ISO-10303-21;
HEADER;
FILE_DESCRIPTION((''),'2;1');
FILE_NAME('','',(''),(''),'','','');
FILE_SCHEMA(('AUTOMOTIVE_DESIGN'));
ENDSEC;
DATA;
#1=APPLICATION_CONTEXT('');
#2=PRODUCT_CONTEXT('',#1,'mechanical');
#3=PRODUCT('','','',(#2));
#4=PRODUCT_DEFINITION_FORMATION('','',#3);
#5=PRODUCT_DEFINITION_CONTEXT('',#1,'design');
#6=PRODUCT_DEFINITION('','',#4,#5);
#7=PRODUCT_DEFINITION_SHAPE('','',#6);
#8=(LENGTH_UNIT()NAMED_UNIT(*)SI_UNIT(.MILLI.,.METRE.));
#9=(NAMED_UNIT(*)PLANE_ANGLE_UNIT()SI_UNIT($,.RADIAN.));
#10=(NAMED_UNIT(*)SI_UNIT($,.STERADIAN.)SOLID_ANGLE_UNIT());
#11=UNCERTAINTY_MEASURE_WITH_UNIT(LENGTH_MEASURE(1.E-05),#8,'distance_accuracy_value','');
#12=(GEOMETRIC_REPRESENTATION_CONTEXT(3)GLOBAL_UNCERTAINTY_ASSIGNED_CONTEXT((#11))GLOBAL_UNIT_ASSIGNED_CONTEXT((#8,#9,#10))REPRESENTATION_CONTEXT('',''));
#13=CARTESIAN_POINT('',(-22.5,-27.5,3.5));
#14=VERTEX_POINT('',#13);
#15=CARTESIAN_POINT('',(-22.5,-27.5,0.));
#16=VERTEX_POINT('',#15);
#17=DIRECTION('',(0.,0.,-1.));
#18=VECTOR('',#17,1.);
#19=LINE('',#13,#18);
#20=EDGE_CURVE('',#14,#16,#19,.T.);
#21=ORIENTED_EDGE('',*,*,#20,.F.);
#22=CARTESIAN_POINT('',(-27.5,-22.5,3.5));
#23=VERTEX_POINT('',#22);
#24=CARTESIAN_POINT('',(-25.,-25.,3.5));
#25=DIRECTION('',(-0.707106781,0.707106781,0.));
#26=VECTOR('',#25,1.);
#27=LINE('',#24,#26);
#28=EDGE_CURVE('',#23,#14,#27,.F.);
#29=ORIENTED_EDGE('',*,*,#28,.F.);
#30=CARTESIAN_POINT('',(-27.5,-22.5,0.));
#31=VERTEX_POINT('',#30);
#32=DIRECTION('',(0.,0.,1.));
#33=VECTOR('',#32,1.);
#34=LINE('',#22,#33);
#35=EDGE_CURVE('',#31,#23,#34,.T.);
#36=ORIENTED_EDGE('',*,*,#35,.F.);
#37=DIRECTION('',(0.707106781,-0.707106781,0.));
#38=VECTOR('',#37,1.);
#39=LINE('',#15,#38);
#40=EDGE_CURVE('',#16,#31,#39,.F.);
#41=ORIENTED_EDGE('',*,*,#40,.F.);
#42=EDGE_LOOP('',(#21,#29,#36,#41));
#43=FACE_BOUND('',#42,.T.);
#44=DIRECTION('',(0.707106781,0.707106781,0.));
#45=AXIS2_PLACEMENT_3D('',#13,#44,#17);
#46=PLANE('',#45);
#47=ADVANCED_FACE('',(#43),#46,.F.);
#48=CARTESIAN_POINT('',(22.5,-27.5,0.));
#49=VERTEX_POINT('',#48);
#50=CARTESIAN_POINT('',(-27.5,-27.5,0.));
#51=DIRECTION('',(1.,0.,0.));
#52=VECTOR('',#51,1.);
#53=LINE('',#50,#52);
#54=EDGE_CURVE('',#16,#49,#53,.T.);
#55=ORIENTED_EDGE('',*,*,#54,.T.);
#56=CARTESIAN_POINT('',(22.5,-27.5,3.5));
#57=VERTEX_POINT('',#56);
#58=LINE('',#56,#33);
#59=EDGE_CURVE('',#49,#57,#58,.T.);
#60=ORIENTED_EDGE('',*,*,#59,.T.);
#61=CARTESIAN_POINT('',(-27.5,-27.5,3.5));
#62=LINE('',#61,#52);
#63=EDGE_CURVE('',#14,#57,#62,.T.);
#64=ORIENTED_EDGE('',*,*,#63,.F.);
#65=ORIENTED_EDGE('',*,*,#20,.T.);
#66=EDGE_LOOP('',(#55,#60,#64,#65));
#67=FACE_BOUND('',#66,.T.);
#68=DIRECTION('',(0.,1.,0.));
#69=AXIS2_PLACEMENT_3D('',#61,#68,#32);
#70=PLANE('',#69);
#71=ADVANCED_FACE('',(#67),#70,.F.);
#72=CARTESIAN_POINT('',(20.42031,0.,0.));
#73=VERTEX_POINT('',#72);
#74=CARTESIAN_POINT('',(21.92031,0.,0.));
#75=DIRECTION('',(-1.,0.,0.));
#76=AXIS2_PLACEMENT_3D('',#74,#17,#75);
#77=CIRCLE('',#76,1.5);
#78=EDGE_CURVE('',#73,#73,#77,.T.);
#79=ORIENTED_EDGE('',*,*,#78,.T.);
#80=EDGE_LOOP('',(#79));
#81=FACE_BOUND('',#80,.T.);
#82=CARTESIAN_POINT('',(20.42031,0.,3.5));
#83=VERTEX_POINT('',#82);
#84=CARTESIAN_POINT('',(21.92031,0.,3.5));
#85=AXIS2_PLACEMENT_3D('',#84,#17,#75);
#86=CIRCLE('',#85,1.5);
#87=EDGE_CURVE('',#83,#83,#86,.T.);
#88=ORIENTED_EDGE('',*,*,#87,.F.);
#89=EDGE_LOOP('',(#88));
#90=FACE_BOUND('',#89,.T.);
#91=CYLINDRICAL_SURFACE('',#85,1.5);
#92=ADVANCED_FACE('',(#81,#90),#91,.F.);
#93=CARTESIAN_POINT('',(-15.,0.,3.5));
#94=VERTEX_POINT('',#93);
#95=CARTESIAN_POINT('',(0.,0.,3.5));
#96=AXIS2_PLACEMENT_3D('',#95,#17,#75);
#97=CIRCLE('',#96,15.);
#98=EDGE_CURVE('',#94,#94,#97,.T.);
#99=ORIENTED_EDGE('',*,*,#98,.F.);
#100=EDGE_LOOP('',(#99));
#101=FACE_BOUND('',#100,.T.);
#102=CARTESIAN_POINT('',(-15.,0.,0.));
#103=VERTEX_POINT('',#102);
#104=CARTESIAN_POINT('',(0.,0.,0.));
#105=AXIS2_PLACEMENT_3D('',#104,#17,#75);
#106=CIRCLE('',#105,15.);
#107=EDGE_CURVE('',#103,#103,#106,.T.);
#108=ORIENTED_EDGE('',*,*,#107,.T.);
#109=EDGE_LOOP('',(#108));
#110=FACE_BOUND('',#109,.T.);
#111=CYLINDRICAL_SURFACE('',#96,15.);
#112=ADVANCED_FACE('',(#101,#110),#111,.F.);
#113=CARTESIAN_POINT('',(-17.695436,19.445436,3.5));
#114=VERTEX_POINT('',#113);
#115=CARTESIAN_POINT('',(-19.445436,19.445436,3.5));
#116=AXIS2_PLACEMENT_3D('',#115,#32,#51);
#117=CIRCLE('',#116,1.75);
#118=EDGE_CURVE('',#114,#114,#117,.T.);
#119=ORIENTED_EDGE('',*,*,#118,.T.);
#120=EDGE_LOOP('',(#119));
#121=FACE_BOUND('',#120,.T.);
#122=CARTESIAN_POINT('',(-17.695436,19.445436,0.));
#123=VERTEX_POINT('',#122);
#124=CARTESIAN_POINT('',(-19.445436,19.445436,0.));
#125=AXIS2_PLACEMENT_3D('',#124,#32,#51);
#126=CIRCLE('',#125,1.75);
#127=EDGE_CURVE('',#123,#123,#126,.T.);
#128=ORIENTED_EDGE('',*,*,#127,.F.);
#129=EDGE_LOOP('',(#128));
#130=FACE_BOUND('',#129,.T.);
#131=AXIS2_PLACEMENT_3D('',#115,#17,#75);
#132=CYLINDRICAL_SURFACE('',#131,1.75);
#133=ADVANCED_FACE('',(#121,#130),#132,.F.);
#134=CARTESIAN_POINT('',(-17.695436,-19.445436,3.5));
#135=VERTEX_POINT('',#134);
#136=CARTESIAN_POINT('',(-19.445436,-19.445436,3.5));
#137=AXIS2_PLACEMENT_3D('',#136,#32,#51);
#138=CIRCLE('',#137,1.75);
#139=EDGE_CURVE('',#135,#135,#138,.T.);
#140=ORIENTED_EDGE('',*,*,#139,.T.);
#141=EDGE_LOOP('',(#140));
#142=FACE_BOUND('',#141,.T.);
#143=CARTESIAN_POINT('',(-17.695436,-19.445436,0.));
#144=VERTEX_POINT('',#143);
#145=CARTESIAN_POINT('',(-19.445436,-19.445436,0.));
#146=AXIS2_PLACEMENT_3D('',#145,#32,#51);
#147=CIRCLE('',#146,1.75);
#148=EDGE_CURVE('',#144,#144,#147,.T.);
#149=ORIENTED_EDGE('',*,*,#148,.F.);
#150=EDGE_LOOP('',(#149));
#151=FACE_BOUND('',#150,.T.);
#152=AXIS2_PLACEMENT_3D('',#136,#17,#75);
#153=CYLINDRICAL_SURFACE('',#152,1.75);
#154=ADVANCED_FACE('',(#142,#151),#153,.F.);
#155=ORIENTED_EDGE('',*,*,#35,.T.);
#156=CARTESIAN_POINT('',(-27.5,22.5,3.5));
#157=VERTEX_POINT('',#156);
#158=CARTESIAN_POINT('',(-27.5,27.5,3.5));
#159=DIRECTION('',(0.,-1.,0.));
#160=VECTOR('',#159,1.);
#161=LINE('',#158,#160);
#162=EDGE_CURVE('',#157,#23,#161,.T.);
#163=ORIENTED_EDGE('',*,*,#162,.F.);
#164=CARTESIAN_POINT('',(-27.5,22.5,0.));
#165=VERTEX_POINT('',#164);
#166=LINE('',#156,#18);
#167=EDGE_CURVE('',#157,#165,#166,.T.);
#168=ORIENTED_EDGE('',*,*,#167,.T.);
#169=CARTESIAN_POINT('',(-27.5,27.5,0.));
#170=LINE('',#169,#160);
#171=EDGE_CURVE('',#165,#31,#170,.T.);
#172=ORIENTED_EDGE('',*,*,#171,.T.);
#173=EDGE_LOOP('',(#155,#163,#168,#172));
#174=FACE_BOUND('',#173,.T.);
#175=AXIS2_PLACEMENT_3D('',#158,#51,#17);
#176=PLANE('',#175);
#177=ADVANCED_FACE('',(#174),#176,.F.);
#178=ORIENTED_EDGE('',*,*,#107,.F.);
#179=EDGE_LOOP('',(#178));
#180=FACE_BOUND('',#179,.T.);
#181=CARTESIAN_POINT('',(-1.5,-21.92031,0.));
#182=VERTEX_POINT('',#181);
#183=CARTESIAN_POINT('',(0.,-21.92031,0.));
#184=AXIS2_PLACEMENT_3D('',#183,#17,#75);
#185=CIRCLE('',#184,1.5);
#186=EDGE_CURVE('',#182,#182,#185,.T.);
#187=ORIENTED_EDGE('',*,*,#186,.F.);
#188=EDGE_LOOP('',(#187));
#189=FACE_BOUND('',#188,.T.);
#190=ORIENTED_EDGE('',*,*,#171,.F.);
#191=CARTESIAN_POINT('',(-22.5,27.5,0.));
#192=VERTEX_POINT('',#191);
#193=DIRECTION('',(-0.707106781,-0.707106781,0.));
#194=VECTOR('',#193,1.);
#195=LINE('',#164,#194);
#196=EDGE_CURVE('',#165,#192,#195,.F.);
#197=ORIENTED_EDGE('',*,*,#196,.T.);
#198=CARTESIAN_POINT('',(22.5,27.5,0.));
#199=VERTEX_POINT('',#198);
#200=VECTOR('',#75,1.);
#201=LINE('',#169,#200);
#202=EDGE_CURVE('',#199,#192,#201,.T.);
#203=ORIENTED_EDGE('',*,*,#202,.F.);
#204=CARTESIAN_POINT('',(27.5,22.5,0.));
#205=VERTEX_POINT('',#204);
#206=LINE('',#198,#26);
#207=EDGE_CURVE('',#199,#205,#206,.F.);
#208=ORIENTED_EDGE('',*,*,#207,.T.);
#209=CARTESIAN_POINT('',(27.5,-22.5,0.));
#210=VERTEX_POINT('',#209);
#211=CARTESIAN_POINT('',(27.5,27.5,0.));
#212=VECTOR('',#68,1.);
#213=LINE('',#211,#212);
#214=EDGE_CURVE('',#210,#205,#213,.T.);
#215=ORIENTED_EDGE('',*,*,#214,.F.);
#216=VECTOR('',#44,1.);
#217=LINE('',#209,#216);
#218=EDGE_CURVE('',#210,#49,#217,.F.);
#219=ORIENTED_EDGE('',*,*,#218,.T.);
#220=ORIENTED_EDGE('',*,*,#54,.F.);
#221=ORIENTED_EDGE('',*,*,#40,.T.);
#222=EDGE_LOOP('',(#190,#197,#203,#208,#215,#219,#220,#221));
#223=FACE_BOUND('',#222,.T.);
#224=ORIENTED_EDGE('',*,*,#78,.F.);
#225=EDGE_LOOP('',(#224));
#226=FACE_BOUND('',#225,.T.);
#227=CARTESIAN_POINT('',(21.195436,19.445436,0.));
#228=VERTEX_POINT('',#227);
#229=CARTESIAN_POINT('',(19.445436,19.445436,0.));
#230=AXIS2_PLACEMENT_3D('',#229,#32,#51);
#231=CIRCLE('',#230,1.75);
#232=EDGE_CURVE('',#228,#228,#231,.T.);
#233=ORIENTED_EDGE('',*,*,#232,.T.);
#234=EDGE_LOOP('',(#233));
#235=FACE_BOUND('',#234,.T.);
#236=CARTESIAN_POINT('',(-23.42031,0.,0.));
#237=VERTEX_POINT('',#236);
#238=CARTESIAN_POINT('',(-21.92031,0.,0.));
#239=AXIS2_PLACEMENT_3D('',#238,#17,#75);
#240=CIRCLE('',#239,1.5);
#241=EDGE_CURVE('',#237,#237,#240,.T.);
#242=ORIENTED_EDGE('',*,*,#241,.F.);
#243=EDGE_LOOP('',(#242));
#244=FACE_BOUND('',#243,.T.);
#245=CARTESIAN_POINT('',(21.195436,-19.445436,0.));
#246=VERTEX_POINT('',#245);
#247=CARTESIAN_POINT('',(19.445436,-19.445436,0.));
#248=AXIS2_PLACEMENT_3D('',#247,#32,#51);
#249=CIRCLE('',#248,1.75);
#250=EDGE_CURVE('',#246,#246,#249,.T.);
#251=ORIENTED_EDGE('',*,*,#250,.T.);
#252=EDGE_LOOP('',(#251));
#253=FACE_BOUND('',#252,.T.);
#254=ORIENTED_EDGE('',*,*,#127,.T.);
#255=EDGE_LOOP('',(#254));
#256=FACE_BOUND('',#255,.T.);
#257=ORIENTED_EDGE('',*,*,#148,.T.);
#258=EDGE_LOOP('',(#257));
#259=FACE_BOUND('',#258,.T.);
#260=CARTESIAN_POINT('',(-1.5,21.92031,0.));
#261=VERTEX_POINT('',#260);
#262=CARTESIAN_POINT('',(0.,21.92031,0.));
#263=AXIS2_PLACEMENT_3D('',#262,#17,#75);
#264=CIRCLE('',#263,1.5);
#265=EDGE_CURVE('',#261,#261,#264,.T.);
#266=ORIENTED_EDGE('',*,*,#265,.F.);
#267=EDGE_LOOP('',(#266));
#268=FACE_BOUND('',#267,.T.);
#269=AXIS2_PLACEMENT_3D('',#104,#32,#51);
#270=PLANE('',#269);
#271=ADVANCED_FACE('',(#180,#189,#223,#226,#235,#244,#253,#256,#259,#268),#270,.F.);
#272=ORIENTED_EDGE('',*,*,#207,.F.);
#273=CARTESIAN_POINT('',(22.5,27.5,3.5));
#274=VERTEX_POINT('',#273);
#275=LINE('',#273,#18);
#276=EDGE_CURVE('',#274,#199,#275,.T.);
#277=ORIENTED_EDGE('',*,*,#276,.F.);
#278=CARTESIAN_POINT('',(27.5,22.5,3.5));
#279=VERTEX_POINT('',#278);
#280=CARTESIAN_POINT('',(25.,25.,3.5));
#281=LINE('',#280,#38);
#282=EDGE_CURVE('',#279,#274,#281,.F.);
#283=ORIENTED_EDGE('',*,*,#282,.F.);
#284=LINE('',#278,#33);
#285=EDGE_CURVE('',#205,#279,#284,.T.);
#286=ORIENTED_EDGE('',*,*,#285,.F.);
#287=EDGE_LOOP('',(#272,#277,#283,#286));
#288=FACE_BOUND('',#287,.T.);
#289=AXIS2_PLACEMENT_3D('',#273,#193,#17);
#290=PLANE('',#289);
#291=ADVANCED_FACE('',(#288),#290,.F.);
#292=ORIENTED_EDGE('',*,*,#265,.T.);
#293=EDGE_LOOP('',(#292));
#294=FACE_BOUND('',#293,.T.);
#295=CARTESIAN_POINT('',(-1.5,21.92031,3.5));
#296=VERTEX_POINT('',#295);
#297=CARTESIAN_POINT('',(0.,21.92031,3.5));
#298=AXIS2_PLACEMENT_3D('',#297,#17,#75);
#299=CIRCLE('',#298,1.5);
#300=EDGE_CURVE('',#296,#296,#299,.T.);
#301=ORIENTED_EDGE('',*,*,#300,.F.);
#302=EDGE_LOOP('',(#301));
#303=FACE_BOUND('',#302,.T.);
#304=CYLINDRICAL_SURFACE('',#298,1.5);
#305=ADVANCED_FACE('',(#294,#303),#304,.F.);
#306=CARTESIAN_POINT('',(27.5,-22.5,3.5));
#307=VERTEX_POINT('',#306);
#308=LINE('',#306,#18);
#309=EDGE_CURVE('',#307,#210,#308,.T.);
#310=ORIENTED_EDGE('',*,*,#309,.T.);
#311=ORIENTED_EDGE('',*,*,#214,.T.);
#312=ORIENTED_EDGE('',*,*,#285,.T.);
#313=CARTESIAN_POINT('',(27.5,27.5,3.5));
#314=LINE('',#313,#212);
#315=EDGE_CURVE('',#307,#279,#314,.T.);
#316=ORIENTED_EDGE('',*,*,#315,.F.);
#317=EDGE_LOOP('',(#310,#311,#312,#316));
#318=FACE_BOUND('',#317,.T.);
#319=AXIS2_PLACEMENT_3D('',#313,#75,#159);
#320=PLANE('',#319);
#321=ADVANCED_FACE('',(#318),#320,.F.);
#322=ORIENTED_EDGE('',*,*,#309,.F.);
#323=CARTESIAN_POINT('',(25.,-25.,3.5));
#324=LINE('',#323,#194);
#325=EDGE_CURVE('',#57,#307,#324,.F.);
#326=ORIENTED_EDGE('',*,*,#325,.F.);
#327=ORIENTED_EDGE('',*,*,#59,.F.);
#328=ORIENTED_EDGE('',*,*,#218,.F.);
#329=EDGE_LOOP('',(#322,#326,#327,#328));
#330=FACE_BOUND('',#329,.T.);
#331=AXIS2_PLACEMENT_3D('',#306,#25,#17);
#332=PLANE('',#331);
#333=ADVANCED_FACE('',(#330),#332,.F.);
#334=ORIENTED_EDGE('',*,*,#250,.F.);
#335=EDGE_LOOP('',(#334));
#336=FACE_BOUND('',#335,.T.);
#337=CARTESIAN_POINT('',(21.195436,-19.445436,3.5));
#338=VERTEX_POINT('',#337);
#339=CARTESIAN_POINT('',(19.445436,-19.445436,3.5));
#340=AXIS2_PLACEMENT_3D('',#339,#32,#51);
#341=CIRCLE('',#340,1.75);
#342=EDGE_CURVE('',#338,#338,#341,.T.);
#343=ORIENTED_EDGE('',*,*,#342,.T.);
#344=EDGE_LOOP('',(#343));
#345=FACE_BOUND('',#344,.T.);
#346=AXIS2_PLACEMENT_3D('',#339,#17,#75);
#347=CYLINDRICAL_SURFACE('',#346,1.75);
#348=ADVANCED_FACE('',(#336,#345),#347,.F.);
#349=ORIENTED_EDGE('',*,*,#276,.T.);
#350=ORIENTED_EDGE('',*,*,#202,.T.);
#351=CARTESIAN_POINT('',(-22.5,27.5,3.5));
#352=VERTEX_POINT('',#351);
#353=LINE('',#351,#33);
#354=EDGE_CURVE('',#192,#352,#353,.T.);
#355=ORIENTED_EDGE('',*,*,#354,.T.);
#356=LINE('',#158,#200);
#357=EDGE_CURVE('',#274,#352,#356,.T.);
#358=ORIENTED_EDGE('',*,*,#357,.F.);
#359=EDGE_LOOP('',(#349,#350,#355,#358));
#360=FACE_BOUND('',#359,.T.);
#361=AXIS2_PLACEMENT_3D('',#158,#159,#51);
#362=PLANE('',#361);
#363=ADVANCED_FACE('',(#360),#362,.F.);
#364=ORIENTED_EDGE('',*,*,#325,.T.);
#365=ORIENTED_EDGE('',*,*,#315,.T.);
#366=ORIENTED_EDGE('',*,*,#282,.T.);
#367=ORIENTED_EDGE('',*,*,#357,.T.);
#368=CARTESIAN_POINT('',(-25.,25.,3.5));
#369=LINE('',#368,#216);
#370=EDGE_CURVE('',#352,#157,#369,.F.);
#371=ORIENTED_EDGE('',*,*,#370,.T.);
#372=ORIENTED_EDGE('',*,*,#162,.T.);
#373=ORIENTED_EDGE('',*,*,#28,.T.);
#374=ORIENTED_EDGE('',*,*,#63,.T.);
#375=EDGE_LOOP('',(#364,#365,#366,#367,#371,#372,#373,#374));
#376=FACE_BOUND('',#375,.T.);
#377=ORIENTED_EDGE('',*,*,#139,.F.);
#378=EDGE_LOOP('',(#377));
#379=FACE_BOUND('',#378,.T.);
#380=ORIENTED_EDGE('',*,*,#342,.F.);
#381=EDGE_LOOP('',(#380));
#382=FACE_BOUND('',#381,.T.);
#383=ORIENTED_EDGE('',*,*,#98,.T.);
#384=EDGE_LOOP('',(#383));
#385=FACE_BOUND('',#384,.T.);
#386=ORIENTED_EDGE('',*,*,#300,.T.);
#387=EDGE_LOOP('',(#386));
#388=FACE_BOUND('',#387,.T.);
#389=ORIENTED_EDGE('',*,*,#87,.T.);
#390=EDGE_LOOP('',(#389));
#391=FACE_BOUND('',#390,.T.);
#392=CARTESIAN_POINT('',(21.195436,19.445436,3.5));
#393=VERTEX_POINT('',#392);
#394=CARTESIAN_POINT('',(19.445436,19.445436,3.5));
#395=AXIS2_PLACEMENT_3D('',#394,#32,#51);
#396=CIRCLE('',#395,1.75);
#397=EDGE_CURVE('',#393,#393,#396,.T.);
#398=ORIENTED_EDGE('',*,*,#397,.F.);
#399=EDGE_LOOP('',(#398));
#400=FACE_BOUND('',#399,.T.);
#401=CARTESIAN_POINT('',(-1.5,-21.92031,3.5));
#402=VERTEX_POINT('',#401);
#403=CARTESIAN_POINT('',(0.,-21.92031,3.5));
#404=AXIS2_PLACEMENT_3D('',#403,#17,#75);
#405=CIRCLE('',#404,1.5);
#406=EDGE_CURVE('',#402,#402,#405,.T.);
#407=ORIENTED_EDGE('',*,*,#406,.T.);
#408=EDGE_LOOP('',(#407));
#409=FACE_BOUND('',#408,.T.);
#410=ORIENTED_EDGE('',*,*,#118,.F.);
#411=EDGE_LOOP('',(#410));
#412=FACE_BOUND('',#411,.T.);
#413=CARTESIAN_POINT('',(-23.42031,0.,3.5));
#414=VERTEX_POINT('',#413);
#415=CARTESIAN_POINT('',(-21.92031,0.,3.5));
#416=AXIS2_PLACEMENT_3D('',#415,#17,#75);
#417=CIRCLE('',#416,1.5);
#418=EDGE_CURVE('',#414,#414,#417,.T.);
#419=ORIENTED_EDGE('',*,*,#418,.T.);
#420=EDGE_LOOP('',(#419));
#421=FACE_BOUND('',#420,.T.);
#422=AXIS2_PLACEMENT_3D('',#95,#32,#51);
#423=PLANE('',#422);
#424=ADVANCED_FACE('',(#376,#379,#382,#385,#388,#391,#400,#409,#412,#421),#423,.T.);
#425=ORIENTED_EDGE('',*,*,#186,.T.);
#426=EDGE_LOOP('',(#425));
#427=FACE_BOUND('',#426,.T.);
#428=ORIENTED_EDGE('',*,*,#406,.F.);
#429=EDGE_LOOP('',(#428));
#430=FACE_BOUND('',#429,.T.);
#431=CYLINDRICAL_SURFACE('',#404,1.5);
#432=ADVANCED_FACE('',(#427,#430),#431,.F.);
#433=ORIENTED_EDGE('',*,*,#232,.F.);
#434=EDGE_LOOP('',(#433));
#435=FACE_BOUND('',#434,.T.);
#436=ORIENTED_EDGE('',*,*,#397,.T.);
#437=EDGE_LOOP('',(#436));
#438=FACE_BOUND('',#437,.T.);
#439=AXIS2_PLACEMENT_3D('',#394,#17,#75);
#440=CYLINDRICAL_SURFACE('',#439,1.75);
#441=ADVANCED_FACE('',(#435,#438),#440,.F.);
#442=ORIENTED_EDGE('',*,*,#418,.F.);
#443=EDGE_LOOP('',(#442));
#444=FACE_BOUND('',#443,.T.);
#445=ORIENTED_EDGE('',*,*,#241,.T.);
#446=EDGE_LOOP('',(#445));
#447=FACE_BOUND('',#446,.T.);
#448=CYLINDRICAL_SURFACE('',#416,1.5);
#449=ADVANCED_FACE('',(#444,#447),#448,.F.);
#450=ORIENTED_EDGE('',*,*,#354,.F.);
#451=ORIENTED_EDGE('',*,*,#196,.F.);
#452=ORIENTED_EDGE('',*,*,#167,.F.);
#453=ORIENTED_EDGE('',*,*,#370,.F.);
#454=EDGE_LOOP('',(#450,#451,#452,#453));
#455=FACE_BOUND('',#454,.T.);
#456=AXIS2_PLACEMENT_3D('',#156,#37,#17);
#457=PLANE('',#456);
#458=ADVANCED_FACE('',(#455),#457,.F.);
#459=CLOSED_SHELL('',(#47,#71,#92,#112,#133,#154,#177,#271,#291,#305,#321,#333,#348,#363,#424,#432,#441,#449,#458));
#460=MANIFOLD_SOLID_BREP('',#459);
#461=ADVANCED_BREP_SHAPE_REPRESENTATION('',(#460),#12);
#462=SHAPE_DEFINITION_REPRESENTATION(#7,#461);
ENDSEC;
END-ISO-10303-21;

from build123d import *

# Parameters (mm, degrees)
SKETCH1_W           = 55
SKETCH1_H           = 55
SKETCH1_R           = 1.75
BOSS_EXTRUDE1_DEPTH = 3.5
SKETCH2_R           = 15
CUT_EXTRUDE1_DEPTH  = 40.048047326
SKETCH3_R           = 1.5
CUT_EXTRUDE2_DEPTH  = 40.048047326
CHAMFER1_SIZE       = 5


with BuildPart() as part:
    # Sketch1 → Boss-Extrude1 (new body)
    with BuildSketch(Plane.XY):
        Rectangle(SKETCH1_W, SKETCH1_H)
        with Locations((19.445436483, 19.445436483)):
            Circle(SKETCH1_R, mode=Mode.SUBTRACT)
        with Locations((-19.445436483, 19.445436483)):
            Circle(SKETCH1_R, mode=Mode.SUBTRACT)
        with Locations((-19.445436483, -19.445436483)):
            Circle(SKETCH1_R, mode=Mode.SUBTRACT)
        with Locations((19.445436483, -19.445436483)):
            Circle(SKETCH1_R, mode=Mode.SUBTRACT)
    extrude(amount=BOSS_EXTRUDE1_DEPTH)

    # Sketch2 → Cut-Extrude1 (cut, through all)
    with BuildSketch(Plane(origin=(0, 0, 0), x_dir=(-1, 0, 0), z_dir=(0, 0, -1))):
        Circle(SKETCH2_R)
    extrude(amount=-CUT_EXTRUDE1_DEPTH, mode=Mode.SUBTRACT)

    # Sketch3 → Cut-Extrude2 (cut, through all)
    with BuildSketch(Plane(origin=(0, 0, 0), x_dir=(-1, 0, 0), z_dir=(0, 0, -1))):
        with Locations((0, 21.920310217)):
            Circle(SKETCH3_R)
        with Locations((21.920310217, 0)):
            Circle(SKETCH3_R)
        with Locations((0, -21.920310217)):
            Circle(SKETCH3_R)
        with Locations((-21.920310217, 0)):
            Circle(SKETCH3_R)
    extrude(amount=-CUT_EXTRUDE2_DEPTH, mode=Mode.SUBTRACT)

    # Chamfer1
    chamfer1_edges = [part.edges().sort_by_distance(p)[0] for p in [
        (27.5, -27.5, 1.75),
        (-27.5, -27.5, 1.75),
        (-27.5, 27.5, 1.75),
        (27.5, 27.5, 1.75),
    ]]
    chamfer(chamfer1_edges, length=CHAMFER1_SIZE)


solid = part.part
